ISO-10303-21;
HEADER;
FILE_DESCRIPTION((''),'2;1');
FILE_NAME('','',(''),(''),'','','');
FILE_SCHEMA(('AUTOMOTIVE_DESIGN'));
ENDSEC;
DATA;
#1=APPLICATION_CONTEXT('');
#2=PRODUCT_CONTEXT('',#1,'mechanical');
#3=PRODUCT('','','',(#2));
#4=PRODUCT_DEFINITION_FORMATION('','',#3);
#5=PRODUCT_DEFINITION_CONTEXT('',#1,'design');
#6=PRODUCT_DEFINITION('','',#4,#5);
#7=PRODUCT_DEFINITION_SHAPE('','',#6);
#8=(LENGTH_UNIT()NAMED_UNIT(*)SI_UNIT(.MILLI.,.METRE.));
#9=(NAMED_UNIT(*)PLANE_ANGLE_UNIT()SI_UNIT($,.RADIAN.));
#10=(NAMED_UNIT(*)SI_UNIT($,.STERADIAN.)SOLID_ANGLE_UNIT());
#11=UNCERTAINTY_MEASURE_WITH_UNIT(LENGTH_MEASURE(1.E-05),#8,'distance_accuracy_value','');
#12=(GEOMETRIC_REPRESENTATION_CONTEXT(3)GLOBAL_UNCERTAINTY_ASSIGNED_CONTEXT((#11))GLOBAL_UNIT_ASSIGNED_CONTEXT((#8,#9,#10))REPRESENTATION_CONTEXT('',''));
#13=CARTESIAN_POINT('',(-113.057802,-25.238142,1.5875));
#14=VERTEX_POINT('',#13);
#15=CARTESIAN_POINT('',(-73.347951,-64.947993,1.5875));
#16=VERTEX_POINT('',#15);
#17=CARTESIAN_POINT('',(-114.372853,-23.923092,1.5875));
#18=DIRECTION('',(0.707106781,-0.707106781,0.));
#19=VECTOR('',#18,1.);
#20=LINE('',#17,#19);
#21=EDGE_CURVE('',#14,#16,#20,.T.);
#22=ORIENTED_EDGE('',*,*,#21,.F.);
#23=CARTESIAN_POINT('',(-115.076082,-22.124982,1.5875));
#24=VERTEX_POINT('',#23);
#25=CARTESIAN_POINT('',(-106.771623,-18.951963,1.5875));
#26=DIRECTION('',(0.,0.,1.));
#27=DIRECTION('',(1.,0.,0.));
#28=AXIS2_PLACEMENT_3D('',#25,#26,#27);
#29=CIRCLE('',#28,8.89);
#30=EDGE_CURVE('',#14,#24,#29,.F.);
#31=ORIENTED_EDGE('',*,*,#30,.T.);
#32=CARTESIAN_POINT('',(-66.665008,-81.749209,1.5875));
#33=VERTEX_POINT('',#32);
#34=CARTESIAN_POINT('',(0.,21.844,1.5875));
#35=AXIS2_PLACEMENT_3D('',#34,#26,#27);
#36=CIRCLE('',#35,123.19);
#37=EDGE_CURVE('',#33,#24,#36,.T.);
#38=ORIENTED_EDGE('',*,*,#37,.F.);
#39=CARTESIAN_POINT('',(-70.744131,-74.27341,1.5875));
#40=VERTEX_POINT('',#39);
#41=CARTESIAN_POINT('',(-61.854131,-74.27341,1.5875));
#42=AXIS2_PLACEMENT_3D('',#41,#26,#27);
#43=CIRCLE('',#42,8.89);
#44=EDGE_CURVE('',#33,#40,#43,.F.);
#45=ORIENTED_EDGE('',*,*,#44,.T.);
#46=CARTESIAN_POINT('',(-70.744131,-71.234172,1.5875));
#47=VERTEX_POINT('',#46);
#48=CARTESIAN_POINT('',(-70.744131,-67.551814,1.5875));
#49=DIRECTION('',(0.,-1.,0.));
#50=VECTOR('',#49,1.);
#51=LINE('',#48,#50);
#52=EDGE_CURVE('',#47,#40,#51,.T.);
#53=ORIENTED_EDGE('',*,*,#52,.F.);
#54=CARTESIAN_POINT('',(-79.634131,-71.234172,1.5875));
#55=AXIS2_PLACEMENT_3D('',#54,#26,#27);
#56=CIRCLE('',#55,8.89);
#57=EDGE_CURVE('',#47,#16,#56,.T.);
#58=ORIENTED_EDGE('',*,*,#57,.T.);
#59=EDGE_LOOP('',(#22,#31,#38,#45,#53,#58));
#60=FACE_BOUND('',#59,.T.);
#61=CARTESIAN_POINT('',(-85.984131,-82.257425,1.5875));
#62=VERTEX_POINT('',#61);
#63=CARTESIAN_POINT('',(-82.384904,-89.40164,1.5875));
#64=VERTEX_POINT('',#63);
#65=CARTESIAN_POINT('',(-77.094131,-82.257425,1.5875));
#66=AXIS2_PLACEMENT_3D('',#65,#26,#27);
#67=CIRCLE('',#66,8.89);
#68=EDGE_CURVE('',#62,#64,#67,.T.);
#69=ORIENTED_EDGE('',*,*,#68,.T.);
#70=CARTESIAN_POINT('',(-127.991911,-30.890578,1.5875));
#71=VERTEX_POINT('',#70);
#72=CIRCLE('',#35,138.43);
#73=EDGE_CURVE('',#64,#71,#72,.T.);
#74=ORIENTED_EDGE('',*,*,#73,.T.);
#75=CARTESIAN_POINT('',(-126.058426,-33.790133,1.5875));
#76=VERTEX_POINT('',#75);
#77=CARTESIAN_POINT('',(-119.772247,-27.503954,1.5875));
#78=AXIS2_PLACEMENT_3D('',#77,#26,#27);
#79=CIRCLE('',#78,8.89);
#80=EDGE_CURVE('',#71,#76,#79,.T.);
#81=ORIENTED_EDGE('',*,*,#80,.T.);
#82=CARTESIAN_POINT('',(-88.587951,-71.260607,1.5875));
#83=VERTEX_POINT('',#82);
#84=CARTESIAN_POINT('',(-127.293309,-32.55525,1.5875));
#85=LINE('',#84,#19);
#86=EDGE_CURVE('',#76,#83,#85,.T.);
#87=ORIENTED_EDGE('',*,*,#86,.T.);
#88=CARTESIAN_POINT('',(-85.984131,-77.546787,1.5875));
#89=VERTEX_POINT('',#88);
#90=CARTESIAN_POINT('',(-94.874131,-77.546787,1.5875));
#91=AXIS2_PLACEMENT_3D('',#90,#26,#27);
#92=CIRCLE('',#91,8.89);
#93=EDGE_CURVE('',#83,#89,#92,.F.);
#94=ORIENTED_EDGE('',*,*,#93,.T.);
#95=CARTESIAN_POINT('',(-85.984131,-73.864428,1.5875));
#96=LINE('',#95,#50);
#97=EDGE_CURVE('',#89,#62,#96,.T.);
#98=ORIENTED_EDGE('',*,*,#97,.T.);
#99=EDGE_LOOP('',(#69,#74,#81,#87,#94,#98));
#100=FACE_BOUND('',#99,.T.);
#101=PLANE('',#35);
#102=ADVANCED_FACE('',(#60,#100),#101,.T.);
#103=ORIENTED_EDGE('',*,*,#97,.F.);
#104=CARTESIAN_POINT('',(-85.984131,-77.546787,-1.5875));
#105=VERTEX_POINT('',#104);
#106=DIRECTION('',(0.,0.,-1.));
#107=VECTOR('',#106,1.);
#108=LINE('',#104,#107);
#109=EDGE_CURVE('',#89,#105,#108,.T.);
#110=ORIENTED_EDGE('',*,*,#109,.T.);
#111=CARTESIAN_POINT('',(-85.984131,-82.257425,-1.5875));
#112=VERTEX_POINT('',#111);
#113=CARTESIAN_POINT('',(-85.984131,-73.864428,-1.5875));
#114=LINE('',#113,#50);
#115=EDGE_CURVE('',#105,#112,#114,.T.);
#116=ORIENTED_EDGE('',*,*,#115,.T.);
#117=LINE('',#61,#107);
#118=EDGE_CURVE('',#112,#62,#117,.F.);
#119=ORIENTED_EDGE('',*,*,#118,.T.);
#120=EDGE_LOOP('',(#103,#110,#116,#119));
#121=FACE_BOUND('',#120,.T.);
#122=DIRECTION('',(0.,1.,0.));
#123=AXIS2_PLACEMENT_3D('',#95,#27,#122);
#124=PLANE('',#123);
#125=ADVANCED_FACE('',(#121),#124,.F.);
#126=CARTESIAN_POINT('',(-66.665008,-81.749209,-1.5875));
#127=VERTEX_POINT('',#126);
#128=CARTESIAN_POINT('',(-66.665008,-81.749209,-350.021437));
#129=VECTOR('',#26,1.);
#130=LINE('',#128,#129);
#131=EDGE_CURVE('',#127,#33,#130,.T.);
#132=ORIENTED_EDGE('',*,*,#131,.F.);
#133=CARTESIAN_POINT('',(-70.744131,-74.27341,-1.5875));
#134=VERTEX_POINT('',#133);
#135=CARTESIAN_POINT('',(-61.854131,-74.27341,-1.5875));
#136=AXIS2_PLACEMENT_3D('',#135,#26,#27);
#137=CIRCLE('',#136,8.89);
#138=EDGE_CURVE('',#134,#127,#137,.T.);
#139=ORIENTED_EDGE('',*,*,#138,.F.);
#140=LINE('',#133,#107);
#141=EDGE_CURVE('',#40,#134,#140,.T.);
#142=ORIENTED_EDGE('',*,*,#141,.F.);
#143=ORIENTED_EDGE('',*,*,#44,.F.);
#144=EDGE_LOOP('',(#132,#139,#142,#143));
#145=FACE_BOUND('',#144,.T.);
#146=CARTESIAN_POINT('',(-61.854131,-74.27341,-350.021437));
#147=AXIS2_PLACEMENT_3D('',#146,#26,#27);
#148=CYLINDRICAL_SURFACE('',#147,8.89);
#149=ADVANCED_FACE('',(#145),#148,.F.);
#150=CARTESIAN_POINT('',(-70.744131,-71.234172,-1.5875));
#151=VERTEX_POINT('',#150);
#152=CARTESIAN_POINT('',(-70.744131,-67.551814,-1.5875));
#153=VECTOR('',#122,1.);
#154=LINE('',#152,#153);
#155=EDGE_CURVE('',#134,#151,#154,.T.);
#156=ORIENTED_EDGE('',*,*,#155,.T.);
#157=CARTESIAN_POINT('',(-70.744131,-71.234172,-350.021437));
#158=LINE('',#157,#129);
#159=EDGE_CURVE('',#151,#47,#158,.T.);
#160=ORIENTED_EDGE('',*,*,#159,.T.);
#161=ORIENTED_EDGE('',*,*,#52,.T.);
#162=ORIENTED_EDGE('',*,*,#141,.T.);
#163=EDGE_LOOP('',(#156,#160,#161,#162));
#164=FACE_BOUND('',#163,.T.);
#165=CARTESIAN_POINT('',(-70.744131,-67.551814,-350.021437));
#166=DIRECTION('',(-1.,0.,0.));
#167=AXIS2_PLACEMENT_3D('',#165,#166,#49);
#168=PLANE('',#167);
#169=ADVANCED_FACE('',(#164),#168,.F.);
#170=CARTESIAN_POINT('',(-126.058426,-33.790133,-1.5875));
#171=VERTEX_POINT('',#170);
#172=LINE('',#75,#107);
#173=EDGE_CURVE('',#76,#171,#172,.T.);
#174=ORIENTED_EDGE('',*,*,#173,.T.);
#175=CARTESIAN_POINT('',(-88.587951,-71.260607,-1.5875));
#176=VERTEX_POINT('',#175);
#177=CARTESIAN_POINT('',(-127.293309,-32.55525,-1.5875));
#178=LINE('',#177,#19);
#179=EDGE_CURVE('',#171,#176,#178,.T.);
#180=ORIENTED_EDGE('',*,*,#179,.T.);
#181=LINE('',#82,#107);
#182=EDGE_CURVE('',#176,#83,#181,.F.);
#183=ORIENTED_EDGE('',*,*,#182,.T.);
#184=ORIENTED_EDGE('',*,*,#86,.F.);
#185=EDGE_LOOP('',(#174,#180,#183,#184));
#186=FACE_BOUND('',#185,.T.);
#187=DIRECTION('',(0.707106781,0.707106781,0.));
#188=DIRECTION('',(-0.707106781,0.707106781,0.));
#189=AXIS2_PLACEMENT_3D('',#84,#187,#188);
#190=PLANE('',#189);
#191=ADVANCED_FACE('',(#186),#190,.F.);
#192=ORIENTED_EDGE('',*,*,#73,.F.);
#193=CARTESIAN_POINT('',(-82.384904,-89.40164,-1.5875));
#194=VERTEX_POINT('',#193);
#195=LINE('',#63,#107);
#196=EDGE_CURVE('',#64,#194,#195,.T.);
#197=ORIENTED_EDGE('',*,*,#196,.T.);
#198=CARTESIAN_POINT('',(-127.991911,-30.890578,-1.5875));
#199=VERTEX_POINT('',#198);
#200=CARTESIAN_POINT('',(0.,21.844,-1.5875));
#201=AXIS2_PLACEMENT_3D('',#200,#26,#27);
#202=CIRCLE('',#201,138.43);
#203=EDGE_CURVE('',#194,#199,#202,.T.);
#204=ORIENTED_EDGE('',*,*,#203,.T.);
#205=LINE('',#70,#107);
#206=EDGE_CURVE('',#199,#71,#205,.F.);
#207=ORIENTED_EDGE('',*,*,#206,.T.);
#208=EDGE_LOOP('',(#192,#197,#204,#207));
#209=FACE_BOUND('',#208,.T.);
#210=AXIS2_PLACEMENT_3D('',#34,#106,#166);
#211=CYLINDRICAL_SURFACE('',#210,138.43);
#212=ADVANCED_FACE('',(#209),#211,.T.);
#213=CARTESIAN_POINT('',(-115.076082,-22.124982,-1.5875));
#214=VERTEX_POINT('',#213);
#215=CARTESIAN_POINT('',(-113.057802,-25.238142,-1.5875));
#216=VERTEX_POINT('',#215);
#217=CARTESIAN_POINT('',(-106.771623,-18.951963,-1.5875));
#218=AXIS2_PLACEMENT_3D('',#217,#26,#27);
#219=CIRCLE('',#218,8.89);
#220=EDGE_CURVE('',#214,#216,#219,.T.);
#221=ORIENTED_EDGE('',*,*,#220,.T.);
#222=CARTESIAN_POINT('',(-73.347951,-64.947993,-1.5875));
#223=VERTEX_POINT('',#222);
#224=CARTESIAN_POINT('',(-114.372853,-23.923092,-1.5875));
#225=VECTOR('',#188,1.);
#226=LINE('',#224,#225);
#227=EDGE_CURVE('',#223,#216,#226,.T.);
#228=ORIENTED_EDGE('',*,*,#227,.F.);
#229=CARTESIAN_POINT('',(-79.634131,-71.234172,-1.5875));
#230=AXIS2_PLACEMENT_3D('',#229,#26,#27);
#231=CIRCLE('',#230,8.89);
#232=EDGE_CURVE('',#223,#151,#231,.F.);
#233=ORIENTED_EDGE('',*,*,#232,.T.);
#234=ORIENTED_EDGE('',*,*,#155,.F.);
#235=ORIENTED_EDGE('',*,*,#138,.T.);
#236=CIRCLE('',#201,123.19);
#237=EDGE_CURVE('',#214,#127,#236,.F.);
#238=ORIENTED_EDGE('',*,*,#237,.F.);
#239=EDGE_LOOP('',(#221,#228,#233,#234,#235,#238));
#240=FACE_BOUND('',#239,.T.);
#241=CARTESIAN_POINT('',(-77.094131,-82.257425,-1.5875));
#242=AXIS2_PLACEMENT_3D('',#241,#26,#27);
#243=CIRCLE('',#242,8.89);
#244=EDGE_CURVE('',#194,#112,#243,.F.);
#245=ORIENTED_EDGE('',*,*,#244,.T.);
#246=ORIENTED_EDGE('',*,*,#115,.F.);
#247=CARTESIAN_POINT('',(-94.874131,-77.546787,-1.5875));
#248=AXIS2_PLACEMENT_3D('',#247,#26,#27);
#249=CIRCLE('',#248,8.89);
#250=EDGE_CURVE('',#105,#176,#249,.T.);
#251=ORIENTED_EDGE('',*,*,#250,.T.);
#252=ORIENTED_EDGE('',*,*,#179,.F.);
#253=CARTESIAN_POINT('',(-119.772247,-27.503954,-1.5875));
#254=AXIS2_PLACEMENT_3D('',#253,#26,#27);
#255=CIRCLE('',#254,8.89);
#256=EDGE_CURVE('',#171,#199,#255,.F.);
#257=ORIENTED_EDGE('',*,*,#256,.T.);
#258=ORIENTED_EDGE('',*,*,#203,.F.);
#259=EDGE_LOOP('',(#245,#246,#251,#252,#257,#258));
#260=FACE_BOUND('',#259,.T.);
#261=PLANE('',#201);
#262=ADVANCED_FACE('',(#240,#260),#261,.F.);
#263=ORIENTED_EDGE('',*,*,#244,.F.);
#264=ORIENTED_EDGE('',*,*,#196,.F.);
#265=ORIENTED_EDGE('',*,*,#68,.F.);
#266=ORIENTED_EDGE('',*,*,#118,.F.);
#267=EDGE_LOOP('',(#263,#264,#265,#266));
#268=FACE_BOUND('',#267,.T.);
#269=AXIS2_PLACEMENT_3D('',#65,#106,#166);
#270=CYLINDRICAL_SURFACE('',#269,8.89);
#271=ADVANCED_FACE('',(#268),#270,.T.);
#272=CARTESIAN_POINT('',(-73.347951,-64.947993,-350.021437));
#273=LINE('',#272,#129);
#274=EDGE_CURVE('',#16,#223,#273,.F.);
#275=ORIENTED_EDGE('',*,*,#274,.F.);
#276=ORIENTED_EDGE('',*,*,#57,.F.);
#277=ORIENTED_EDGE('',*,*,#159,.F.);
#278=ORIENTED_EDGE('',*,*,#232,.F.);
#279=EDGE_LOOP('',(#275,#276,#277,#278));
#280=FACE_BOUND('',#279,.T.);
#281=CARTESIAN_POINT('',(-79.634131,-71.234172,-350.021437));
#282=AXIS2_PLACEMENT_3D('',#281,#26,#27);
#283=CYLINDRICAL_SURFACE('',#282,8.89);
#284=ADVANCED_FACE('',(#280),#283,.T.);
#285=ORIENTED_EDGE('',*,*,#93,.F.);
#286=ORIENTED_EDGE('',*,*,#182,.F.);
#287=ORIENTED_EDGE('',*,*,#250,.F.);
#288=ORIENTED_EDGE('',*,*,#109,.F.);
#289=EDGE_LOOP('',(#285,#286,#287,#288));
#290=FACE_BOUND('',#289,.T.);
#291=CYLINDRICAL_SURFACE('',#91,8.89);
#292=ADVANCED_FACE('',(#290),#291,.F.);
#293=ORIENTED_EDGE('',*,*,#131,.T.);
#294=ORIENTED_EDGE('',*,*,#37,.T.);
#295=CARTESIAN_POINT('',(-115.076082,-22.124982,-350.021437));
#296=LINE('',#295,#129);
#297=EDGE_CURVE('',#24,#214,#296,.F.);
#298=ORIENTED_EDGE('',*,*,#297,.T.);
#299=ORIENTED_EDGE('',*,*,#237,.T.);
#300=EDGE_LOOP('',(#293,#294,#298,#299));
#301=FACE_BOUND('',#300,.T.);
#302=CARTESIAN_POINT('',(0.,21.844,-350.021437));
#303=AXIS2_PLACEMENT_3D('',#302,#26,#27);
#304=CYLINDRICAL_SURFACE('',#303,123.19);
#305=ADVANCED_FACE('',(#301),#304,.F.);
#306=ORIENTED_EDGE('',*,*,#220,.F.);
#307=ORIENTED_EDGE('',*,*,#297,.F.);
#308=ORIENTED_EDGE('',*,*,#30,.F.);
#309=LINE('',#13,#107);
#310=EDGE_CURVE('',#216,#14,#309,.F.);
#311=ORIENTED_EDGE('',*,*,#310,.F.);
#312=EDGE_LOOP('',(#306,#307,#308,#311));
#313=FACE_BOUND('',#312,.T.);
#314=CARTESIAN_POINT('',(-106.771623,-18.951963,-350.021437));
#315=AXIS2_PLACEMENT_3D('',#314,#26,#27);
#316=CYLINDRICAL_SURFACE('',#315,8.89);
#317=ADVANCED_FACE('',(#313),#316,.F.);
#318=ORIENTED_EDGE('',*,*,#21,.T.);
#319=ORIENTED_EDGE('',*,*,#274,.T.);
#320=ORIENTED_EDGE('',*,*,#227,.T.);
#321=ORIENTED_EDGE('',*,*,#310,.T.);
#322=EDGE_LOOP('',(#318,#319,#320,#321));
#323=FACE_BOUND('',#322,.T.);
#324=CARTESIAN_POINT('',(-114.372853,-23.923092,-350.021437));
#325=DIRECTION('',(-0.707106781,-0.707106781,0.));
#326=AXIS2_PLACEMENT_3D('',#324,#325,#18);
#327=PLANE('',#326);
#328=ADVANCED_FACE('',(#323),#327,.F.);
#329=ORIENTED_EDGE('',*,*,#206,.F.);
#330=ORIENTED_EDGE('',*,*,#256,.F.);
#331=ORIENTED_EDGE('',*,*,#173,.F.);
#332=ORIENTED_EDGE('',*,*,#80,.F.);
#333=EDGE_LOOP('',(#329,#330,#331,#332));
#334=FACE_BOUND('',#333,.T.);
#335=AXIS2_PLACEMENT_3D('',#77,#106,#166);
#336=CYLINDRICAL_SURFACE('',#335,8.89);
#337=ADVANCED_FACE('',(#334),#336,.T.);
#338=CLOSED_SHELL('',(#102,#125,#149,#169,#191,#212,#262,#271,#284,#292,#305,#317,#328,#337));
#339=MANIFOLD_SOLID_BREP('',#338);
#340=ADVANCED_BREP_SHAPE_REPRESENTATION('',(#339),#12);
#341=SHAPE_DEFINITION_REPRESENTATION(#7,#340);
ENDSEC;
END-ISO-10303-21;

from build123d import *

# Parameters (mm, degrees)
BOSS_EXTRUDE1_DEPTH = 1.5875
CUT_EXTRUDE1_DEPTH  = 3.175
FILLET1_R           = 8.89


with BuildPart() as part:
    # Sketch1 → Boss-Extrude1 (new, symmetric)
    with BuildSketch(Plane.XY):
        with BuildLine():
            Line((-127.293308919, -32.555250036), (-85.984130762, -73.864428193))
            Line((-85.984130762, -73.864428193), (-85.984130762, -86.643760402))
            ThreePointArc((-85.984130762, -86.643760402), (-70.818680903, -97.099597285), (-54.399250036, -105.449308919))
            ThreePointArc((-54.399250036, -105.449308919), (97.88479172, 119.72879172), (-127.293308919, -32.555250036))
        make_face()
    extrude(amount=BOSS_EXTRUDE1_DEPTH, both=True)

    # Sketch2 → Cut-Extrude1 (cut)
    with BuildSketch(Plane.XY.offset(1.5875)):
        with BuildLine():
            Line((-114.372852664, -23.923091601), (-70.744130762, -67.551813503))
            Line((-70.744130762, -67.551813503), (-70.744130762, -79.00759425))
            ThreePointArc((-70.744130762, -79.00759425), (96.569405073, 98.330117066), (-114.372852664, -23.923091601))
        make_face()
    extrude(amount=-CUT_EXTRUDE1_DEPTH, mode=Mode.SUBTRACT)

    # Fillet1
    fillet1_edges = [part.edges().sort_by_distance(p)[0] for p in [
        (-114.372852664, -23.923091601, 0),
        (-70.744130762, -79.00759425, 0),
        (-70.744130762, -67.551813503, 0),
        (-85.984130762, -86.643760402, -0.79375),
        (-85.984130762, -73.864428193, -0.79375),
        (-127.293308919, -32.555250036, -0.79375),
    ]]
    fillet(fillet1_edges, radius=FILLET1_R)


solid = part.part
